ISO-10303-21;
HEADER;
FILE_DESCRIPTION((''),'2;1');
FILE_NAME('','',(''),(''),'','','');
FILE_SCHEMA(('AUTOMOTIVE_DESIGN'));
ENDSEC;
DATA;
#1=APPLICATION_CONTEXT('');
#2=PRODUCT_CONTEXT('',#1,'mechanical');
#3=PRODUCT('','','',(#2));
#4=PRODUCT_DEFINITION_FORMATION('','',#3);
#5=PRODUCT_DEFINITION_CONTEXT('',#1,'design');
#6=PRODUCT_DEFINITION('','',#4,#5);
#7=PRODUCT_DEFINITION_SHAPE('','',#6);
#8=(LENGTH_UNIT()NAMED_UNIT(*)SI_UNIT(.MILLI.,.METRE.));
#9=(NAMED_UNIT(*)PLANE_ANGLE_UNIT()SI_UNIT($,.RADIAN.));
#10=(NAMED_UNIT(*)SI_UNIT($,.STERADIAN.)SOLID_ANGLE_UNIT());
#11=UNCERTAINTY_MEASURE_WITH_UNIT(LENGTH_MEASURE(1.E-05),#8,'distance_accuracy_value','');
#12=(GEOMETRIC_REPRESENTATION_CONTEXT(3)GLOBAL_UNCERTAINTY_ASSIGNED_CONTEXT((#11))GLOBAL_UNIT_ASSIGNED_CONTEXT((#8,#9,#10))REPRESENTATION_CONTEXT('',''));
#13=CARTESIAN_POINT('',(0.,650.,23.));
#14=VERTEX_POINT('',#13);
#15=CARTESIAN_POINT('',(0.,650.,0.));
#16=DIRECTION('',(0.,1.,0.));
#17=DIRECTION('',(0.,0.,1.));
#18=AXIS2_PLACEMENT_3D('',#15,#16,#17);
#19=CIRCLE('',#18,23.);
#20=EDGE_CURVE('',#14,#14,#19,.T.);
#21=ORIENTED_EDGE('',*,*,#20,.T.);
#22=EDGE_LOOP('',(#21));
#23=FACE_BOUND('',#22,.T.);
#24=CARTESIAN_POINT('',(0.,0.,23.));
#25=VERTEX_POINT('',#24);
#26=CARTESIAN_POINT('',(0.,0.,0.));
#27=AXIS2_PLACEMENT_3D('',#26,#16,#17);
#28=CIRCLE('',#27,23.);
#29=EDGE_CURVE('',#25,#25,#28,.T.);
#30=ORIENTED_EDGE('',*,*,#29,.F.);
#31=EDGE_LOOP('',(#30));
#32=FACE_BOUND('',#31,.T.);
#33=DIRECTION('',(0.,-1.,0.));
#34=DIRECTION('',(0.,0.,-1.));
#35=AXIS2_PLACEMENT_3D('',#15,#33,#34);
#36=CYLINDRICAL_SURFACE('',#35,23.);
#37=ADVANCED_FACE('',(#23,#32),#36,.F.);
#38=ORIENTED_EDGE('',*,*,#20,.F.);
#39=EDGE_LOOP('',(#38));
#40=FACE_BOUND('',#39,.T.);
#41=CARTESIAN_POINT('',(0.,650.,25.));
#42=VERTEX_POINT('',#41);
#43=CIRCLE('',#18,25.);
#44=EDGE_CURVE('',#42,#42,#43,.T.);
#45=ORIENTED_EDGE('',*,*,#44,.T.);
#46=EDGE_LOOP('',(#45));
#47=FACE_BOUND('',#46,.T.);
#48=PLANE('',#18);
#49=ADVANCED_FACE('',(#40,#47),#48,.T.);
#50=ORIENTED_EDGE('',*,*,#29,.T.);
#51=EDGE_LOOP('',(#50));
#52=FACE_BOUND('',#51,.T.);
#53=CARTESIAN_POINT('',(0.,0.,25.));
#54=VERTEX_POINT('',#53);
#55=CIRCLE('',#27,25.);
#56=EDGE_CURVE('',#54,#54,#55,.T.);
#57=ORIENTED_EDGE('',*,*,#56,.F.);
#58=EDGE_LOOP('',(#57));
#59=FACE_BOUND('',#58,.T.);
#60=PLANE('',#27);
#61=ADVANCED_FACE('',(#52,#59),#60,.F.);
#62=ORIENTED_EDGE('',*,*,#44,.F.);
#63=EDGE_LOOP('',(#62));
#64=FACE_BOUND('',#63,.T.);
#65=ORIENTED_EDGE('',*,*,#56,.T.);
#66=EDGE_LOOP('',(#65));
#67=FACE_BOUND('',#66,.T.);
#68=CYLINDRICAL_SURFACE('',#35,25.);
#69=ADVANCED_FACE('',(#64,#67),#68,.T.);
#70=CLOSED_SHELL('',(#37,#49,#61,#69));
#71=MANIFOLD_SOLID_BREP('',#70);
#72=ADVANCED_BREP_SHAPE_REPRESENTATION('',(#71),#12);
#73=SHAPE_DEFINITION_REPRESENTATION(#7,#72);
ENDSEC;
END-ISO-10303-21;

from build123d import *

# Parameters (mm, degrees)
CROQUIS1_R              = 25
CROQUIS1_R_2            = 23
SALIENTE_EXTRUIR1_DEPTH = 650


with BuildPart() as part:
    # Croquis1 → Saliente-Extruir1 (new body)
    with BuildSketch(Plane(origin=(0, 0, 0), x_dir=(1, 0, 0), z_dir=(0, 1, 0))):
        Circle(CROQUIS1_R)
        Circle(CROQUIS1_R_2, mode=Mode.SUBTRACT)
    extrude(amount=SALIENTE_EXTRUIR1_DEPTH)


solid = part.part
